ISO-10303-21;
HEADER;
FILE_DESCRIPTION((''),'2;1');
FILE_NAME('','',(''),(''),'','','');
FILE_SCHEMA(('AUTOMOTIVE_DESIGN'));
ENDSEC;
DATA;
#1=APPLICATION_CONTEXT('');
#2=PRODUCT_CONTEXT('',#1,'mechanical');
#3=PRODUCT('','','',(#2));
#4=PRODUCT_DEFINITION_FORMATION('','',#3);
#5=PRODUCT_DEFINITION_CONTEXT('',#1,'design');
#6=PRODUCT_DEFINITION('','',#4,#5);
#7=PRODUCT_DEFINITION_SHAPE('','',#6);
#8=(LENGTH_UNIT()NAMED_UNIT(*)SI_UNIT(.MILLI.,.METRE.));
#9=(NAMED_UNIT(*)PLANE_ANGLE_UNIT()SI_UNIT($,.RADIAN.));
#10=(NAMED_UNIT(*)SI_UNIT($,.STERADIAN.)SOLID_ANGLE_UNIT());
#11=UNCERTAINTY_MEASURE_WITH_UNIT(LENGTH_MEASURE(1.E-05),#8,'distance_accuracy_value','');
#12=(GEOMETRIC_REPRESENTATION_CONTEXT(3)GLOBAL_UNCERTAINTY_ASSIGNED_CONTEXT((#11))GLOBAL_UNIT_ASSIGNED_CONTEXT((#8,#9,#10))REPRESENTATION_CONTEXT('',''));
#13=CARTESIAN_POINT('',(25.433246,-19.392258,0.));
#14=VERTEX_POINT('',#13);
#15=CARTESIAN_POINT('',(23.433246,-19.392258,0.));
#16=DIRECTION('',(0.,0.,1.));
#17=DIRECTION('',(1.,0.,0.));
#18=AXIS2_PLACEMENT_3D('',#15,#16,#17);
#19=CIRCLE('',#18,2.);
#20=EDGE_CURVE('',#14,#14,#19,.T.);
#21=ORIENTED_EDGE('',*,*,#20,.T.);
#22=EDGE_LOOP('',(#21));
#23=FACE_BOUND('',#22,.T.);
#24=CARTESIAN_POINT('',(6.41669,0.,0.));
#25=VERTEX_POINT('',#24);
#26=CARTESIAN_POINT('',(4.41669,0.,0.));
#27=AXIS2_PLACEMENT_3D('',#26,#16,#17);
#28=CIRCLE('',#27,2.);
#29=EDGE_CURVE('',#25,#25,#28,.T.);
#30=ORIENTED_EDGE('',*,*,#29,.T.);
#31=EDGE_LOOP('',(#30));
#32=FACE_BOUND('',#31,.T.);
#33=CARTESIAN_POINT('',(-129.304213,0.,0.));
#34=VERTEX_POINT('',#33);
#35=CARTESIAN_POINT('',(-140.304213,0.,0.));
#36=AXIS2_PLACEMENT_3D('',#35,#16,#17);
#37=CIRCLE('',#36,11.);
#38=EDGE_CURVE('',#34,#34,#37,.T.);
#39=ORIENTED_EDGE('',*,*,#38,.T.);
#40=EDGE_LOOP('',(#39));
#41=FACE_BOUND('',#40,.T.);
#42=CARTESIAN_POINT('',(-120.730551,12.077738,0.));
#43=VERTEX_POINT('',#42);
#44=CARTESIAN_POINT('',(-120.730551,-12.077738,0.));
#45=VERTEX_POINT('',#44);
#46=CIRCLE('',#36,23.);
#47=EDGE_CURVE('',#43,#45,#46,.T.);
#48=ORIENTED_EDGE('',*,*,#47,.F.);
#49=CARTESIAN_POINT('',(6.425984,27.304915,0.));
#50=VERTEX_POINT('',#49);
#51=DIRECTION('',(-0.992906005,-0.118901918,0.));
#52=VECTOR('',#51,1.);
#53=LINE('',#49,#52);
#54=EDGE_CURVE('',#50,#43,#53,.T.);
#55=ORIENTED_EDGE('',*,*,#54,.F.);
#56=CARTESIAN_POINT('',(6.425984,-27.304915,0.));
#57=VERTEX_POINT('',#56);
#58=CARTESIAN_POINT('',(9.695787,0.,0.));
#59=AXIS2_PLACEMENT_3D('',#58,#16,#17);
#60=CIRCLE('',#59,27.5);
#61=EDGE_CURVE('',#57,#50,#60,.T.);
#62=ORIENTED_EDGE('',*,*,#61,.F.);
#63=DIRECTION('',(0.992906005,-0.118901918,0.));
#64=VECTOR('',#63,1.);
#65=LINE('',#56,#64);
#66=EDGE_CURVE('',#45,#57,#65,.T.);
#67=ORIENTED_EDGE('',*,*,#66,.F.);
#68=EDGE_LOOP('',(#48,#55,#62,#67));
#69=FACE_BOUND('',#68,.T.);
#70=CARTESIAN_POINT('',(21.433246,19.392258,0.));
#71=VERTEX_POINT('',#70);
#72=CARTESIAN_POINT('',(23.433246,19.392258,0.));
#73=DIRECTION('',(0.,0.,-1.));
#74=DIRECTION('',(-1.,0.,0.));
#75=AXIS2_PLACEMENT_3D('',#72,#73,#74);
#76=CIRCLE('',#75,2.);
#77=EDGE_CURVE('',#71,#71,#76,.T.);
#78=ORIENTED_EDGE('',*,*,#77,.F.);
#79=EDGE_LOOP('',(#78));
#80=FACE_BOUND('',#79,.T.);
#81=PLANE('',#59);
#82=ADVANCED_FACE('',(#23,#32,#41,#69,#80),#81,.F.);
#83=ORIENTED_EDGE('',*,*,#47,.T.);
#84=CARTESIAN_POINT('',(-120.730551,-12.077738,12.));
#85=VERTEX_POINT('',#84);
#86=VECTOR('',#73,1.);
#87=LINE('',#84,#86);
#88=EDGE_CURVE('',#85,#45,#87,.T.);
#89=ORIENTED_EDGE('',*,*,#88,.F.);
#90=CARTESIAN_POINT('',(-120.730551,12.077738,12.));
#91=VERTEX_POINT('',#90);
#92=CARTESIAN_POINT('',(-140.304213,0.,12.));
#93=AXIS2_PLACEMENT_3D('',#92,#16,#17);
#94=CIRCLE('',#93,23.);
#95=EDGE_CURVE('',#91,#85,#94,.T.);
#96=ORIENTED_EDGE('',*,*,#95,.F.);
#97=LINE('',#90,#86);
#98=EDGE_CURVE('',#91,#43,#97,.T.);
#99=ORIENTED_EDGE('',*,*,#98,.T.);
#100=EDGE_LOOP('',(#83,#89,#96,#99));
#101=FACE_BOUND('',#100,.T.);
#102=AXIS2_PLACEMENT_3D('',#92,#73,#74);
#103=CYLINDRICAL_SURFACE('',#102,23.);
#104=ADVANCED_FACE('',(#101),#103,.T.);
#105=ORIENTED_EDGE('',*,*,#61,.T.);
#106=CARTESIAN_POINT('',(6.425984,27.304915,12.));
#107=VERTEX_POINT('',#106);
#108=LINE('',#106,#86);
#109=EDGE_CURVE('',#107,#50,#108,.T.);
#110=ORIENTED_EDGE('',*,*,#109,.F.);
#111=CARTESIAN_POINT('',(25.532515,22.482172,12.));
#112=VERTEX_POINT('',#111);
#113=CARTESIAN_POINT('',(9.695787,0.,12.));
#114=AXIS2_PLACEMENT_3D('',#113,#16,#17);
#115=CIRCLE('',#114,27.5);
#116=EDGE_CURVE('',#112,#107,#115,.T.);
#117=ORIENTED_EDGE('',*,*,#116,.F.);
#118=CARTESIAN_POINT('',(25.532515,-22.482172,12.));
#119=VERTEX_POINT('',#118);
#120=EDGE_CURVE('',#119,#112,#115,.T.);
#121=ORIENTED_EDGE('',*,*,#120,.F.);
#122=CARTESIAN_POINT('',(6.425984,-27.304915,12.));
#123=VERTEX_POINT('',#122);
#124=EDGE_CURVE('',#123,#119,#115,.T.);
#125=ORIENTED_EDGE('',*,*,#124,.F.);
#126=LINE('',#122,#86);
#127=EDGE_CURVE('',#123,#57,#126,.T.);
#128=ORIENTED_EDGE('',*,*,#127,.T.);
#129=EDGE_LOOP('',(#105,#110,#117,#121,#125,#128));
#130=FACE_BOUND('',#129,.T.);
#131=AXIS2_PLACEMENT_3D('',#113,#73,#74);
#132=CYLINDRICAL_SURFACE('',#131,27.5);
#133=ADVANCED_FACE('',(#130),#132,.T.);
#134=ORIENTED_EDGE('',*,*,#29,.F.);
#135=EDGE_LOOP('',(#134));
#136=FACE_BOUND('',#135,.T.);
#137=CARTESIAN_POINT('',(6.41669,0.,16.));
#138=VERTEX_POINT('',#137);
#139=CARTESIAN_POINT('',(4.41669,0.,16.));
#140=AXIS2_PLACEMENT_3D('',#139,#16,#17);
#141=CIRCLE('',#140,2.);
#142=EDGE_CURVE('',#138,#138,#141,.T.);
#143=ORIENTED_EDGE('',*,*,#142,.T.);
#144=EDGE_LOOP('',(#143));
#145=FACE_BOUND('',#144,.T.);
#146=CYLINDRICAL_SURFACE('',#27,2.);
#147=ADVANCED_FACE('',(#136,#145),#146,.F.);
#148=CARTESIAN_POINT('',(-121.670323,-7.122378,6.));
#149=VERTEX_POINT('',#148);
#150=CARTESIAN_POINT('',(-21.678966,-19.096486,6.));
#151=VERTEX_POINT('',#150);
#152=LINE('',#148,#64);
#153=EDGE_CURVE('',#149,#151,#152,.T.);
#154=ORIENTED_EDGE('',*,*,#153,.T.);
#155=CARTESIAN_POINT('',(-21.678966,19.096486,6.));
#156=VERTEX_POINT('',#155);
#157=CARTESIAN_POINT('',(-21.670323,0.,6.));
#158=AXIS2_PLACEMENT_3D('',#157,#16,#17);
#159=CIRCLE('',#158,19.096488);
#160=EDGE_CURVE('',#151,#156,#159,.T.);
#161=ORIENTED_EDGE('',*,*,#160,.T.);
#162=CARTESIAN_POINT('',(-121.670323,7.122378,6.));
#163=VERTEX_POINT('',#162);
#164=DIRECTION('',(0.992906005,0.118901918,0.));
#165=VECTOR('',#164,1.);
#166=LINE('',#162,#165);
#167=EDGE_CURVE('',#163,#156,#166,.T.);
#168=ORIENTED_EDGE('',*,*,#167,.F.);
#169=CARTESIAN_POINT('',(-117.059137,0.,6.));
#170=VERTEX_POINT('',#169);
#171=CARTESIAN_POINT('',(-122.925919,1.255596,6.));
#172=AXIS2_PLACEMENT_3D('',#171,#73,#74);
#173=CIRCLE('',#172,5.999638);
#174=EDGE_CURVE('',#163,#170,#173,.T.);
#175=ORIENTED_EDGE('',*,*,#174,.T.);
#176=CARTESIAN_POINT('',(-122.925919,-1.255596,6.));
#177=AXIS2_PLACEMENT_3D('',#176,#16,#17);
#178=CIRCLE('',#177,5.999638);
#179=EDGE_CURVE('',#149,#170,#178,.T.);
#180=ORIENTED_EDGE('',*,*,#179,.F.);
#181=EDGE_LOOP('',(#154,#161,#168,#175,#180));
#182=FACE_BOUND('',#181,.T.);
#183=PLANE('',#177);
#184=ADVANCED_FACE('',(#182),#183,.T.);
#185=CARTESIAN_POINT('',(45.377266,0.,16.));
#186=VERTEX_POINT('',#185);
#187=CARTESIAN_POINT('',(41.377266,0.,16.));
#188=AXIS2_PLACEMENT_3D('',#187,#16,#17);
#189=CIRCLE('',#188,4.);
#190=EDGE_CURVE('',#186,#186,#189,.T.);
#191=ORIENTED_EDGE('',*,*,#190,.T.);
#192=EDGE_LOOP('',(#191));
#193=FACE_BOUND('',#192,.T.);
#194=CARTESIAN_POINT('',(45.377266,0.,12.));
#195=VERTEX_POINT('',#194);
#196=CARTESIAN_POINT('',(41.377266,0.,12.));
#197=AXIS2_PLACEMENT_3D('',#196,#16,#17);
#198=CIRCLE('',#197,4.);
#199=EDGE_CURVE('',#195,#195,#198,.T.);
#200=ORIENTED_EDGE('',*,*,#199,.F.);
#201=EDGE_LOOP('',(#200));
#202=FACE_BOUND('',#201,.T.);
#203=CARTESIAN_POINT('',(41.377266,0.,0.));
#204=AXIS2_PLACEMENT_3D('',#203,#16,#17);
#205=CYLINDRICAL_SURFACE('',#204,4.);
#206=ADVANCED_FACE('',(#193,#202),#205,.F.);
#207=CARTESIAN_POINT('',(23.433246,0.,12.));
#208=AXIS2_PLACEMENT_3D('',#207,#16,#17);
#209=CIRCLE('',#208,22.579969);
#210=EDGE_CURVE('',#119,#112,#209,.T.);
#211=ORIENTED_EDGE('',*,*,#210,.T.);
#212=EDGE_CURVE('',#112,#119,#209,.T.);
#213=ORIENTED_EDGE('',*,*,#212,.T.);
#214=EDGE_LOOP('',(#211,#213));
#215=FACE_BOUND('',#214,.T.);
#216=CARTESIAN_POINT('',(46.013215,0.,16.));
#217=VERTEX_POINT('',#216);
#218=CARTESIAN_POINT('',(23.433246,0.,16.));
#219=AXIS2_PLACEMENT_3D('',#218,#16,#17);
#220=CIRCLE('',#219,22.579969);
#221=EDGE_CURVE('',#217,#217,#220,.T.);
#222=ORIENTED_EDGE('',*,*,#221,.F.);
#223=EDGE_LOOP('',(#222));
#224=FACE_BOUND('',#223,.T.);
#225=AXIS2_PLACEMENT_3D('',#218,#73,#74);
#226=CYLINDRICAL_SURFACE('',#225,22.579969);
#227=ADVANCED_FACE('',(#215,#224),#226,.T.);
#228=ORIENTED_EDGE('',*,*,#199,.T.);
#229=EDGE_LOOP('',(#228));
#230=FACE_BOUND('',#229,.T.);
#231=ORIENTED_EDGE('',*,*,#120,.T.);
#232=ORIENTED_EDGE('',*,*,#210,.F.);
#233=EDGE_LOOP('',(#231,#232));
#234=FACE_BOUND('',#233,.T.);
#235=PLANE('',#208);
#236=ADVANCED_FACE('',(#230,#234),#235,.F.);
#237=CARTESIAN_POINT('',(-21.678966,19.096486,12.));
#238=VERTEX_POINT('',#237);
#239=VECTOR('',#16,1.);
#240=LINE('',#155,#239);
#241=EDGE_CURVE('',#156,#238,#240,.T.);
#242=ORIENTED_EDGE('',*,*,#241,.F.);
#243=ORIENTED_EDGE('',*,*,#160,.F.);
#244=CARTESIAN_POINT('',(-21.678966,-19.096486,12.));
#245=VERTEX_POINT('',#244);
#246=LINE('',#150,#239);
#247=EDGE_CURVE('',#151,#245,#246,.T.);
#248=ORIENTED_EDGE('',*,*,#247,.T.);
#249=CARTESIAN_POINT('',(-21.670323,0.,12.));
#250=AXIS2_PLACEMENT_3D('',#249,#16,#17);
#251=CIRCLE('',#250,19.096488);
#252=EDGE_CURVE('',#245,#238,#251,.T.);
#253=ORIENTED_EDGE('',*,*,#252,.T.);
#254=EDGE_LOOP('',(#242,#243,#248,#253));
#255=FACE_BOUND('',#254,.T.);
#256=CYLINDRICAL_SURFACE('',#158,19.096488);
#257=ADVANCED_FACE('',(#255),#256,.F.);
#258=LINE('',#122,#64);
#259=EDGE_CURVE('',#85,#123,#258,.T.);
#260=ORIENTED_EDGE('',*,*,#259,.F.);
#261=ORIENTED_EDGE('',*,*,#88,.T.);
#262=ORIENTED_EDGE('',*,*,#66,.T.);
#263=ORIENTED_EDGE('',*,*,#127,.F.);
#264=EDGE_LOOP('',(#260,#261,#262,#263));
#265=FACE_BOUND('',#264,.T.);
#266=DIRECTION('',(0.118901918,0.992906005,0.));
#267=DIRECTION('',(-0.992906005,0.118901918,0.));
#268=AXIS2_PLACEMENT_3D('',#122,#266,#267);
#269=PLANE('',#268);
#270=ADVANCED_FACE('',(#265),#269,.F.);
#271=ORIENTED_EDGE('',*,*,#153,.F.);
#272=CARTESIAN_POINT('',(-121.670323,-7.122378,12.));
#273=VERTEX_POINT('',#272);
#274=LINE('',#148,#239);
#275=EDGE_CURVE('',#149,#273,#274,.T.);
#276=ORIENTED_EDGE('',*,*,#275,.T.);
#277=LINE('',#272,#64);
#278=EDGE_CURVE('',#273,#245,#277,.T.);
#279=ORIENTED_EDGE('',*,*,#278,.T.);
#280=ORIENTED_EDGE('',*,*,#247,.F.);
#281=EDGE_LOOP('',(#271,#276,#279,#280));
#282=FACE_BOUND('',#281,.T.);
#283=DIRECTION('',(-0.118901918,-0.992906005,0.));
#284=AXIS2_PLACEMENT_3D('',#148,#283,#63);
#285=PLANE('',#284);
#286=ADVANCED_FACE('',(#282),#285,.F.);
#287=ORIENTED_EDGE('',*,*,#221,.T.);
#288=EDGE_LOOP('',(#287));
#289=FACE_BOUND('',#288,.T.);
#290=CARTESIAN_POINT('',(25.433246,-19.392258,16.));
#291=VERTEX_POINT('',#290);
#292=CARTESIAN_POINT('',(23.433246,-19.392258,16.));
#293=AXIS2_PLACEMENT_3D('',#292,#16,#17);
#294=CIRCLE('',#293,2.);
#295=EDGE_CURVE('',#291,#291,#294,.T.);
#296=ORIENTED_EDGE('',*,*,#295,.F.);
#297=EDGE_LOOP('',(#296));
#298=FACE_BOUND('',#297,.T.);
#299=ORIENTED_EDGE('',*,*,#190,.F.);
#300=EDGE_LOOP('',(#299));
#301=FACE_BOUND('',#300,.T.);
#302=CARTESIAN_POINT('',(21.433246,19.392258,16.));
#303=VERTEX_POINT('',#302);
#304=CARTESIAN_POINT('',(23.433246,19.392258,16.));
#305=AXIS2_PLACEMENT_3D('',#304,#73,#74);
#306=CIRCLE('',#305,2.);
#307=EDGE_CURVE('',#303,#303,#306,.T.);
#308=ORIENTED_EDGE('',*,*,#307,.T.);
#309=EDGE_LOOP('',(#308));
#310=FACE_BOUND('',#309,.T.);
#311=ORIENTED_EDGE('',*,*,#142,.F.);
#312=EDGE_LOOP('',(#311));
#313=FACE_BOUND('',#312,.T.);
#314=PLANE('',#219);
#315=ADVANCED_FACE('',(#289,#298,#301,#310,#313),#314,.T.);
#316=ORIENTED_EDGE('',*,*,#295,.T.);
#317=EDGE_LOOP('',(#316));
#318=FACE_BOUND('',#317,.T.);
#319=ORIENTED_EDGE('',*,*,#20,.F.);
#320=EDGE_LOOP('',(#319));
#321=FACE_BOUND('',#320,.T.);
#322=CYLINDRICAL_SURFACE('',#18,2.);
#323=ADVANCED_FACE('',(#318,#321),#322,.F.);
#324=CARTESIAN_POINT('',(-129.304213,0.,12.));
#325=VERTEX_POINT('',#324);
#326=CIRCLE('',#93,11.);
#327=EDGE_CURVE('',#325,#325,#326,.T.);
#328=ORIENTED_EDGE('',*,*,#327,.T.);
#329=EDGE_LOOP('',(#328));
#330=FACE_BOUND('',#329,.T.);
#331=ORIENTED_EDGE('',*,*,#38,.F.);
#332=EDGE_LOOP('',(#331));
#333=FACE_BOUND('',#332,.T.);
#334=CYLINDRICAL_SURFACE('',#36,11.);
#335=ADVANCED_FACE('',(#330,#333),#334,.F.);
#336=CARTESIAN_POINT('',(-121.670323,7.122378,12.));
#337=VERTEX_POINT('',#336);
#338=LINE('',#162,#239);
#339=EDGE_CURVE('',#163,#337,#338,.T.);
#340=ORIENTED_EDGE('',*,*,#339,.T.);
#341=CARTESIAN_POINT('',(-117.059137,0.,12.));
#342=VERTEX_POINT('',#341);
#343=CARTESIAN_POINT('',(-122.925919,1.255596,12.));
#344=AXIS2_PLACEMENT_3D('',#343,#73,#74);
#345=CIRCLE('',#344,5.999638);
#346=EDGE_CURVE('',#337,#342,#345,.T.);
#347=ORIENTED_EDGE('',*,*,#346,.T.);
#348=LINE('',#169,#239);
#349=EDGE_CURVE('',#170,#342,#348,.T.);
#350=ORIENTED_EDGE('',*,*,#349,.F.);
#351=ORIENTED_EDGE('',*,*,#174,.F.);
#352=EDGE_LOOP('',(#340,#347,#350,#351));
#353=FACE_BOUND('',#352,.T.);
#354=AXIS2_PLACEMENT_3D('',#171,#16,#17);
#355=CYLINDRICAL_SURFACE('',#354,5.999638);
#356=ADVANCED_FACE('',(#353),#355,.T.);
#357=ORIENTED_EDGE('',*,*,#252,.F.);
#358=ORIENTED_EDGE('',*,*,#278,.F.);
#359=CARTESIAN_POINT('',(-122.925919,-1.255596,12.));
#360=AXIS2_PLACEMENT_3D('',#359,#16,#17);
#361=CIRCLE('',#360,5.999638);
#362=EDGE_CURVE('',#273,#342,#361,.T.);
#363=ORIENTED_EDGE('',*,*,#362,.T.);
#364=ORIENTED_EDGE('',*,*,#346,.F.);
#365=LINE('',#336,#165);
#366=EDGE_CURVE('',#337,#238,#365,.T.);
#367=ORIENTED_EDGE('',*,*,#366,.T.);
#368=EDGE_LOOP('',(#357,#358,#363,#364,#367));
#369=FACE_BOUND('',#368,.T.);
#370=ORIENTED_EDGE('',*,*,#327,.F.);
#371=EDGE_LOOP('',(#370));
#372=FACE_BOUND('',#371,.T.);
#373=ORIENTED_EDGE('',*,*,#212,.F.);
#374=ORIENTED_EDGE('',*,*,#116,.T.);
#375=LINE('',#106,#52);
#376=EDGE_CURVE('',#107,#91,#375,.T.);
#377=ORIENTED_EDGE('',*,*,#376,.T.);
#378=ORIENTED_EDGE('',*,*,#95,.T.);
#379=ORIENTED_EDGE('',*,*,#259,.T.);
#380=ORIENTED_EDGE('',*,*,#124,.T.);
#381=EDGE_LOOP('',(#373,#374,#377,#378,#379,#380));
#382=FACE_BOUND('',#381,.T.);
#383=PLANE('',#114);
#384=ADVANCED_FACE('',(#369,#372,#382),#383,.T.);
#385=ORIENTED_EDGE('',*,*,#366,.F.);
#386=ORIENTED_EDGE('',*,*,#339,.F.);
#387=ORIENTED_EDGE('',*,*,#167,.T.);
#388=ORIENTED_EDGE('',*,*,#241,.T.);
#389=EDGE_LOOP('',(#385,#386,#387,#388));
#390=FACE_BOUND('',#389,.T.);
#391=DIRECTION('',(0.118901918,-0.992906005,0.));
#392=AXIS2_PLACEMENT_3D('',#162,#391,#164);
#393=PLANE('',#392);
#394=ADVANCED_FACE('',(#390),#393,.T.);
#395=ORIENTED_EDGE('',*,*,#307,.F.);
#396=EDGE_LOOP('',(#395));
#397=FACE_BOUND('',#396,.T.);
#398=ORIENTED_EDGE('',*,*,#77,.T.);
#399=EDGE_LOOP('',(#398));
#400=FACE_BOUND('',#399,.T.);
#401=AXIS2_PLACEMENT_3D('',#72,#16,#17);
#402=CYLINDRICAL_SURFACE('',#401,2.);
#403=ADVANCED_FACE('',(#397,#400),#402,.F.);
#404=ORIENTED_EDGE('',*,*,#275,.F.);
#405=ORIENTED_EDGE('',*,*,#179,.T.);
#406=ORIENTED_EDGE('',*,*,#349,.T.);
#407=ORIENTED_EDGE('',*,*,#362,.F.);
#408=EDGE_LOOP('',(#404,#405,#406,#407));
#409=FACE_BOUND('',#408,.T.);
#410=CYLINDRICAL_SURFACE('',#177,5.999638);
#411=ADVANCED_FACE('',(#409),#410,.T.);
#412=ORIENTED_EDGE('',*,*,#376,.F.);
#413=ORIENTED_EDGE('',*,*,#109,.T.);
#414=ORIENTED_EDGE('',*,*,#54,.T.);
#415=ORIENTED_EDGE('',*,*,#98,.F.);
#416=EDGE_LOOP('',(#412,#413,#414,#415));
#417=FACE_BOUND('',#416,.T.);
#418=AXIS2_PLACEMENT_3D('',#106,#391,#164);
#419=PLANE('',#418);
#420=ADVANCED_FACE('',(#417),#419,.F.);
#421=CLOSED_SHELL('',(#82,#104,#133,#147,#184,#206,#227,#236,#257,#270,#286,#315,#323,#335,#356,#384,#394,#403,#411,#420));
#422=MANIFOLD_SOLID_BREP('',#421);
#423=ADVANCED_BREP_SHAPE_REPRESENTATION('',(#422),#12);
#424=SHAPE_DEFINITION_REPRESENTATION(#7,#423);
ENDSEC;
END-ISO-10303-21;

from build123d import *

# Parameters (mm, degrees)
BOSS_EXTRUDE1_DEPTH     = 12
CUT_EXTRUDE1_DEPTH      = 6
SKETCH4_R               = 11
CUT_EXTRUDE2_DEPTH      = 12
SKETCH5_R               = 22.579968686
BOSS_EXTRUDE2_DEPTH     = 4
SKETCH6_R               = 2
CUT_EXTRUDE3_DEPTH      = 16
SKETCH6_3_R             = 2
CUT_EXTRUDE5_DEPTH      = 16
SKETCH7_R               = 4
CUT_EXTRUDE6_DEPTH      = 1
CUT_EXTRUDE6_DEPTH_BACK = 17


with BuildPart() as part:
    # Sketch1 → Boss-Extrude1 (new body)
    with BuildSketch(Plane.XY):
        with BuildLine():
            Line((6.425984457, 27.304915127), (-120.730550627, 12.077737738))
            ThreePointArc((-120.730550627, 12.077737738), (-163.304212807, 0), (-120.730550627, -12.077737738))
            Line((-120.730550627, -12.077737738), (6.425984457, -27.304915127))
            ThreePointArc((6.425984457, -27.304915127), (37.195787193, 0), (6.425984457, 27.304915127))
        make_face()
    extrude(amount=BOSS_EXTRUDE1_DEPTH)

    # Sketch3 → Cut-Extrude1 (cut)
    with BuildSketch(Plane.XY.offset(12)):
        with BuildLine():
            Line((-121.670322635, 7.122377923), (-21.678965717, 19.096486278))
            ThreePointArc((-21.678965717, 19.096486278), (-2.5738344, 0), (-21.678965717, -19.096486278))
            Line((-21.678965717, -19.096486278), (-121.670322635, -7.122377923))
            ThreePointArc((-121.670322635, -7.122377923), (-117.889637025, -4.516196787), (-117.059136947, 0))
            ThreePointArc((-117.059136947, 0), (-117.889637025, 4.516196787), (-121.670322635, 7.122377923))
        make_face()
    extrude(amount=-CUT_EXTRUDE1_DEPTH, mode=Mode.SUBTRACT)

    # Sketch4 → Cut-Extrude2 (cut)
    with BuildSketch(Plane.XY.offset(12)):
        with Locations((-140.304212807, 0)):
            Circle(SKETCH4_R)
    extrude(amount=-CUT_EXTRUDE2_DEPTH, mode=Mode.SUBTRACT)

    # Sketch5 → Boss-Extrude2 (add)
    with BuildSketch(Plane.XY.offset(12)):
        with Locations((23.433246409, 0)):
            Circle(SKETCH5_R)
    extrude(amount=BOSS_EXTRUDE2_DEPTH)

    # Sketch6 → Cut-Extrude3 (cut)
    with BuildSketch(Plane.XY.offset(16)):
        with Locations((4.416689948, 0)):
            Circle(SKETCH6_R)
    extrude(amount=-CUT_EXTRUDE3_DEPTH, mode=Mode.SUBTRACT)

    # Sketch6<3> → Cut-Extrude5 (cut)
    with BuildSketch(Plane.XY.offset(16)):
        with Locations((23.433246409, -19.392257926)):
            Circle(SKETCH6_3_R)
        with Locations((42.449802871, 0)):
            Circle(SKETCH6_3_R)
        with Locations((23.433246409, 19.392257926)):
            Circle(SKETCH6_3_R)
    extrude(amount=-CUT_EXTRUDE5_DEPTH, mode=Mode.SUBTRACT)

    # Sketch7 → Cut-Extrude6 (cut, two sides)
    with BuildSketch(Plane.XY.offset(16)) as cut_extrude6_sk:
        with Locations((41.377266411, 0)):
            Circle(SKETCH7_R)
    extrude(amount=CUT_EXTRUDE6_DEPTH, mode=Mode.SUBTRACT)
    extrude(cut_extrude6_sk.sketch, amount=-CUT_EXTRUDE6_DEPTH_BACK, mode=Mode.SUBTRACT)


solid = part.part
